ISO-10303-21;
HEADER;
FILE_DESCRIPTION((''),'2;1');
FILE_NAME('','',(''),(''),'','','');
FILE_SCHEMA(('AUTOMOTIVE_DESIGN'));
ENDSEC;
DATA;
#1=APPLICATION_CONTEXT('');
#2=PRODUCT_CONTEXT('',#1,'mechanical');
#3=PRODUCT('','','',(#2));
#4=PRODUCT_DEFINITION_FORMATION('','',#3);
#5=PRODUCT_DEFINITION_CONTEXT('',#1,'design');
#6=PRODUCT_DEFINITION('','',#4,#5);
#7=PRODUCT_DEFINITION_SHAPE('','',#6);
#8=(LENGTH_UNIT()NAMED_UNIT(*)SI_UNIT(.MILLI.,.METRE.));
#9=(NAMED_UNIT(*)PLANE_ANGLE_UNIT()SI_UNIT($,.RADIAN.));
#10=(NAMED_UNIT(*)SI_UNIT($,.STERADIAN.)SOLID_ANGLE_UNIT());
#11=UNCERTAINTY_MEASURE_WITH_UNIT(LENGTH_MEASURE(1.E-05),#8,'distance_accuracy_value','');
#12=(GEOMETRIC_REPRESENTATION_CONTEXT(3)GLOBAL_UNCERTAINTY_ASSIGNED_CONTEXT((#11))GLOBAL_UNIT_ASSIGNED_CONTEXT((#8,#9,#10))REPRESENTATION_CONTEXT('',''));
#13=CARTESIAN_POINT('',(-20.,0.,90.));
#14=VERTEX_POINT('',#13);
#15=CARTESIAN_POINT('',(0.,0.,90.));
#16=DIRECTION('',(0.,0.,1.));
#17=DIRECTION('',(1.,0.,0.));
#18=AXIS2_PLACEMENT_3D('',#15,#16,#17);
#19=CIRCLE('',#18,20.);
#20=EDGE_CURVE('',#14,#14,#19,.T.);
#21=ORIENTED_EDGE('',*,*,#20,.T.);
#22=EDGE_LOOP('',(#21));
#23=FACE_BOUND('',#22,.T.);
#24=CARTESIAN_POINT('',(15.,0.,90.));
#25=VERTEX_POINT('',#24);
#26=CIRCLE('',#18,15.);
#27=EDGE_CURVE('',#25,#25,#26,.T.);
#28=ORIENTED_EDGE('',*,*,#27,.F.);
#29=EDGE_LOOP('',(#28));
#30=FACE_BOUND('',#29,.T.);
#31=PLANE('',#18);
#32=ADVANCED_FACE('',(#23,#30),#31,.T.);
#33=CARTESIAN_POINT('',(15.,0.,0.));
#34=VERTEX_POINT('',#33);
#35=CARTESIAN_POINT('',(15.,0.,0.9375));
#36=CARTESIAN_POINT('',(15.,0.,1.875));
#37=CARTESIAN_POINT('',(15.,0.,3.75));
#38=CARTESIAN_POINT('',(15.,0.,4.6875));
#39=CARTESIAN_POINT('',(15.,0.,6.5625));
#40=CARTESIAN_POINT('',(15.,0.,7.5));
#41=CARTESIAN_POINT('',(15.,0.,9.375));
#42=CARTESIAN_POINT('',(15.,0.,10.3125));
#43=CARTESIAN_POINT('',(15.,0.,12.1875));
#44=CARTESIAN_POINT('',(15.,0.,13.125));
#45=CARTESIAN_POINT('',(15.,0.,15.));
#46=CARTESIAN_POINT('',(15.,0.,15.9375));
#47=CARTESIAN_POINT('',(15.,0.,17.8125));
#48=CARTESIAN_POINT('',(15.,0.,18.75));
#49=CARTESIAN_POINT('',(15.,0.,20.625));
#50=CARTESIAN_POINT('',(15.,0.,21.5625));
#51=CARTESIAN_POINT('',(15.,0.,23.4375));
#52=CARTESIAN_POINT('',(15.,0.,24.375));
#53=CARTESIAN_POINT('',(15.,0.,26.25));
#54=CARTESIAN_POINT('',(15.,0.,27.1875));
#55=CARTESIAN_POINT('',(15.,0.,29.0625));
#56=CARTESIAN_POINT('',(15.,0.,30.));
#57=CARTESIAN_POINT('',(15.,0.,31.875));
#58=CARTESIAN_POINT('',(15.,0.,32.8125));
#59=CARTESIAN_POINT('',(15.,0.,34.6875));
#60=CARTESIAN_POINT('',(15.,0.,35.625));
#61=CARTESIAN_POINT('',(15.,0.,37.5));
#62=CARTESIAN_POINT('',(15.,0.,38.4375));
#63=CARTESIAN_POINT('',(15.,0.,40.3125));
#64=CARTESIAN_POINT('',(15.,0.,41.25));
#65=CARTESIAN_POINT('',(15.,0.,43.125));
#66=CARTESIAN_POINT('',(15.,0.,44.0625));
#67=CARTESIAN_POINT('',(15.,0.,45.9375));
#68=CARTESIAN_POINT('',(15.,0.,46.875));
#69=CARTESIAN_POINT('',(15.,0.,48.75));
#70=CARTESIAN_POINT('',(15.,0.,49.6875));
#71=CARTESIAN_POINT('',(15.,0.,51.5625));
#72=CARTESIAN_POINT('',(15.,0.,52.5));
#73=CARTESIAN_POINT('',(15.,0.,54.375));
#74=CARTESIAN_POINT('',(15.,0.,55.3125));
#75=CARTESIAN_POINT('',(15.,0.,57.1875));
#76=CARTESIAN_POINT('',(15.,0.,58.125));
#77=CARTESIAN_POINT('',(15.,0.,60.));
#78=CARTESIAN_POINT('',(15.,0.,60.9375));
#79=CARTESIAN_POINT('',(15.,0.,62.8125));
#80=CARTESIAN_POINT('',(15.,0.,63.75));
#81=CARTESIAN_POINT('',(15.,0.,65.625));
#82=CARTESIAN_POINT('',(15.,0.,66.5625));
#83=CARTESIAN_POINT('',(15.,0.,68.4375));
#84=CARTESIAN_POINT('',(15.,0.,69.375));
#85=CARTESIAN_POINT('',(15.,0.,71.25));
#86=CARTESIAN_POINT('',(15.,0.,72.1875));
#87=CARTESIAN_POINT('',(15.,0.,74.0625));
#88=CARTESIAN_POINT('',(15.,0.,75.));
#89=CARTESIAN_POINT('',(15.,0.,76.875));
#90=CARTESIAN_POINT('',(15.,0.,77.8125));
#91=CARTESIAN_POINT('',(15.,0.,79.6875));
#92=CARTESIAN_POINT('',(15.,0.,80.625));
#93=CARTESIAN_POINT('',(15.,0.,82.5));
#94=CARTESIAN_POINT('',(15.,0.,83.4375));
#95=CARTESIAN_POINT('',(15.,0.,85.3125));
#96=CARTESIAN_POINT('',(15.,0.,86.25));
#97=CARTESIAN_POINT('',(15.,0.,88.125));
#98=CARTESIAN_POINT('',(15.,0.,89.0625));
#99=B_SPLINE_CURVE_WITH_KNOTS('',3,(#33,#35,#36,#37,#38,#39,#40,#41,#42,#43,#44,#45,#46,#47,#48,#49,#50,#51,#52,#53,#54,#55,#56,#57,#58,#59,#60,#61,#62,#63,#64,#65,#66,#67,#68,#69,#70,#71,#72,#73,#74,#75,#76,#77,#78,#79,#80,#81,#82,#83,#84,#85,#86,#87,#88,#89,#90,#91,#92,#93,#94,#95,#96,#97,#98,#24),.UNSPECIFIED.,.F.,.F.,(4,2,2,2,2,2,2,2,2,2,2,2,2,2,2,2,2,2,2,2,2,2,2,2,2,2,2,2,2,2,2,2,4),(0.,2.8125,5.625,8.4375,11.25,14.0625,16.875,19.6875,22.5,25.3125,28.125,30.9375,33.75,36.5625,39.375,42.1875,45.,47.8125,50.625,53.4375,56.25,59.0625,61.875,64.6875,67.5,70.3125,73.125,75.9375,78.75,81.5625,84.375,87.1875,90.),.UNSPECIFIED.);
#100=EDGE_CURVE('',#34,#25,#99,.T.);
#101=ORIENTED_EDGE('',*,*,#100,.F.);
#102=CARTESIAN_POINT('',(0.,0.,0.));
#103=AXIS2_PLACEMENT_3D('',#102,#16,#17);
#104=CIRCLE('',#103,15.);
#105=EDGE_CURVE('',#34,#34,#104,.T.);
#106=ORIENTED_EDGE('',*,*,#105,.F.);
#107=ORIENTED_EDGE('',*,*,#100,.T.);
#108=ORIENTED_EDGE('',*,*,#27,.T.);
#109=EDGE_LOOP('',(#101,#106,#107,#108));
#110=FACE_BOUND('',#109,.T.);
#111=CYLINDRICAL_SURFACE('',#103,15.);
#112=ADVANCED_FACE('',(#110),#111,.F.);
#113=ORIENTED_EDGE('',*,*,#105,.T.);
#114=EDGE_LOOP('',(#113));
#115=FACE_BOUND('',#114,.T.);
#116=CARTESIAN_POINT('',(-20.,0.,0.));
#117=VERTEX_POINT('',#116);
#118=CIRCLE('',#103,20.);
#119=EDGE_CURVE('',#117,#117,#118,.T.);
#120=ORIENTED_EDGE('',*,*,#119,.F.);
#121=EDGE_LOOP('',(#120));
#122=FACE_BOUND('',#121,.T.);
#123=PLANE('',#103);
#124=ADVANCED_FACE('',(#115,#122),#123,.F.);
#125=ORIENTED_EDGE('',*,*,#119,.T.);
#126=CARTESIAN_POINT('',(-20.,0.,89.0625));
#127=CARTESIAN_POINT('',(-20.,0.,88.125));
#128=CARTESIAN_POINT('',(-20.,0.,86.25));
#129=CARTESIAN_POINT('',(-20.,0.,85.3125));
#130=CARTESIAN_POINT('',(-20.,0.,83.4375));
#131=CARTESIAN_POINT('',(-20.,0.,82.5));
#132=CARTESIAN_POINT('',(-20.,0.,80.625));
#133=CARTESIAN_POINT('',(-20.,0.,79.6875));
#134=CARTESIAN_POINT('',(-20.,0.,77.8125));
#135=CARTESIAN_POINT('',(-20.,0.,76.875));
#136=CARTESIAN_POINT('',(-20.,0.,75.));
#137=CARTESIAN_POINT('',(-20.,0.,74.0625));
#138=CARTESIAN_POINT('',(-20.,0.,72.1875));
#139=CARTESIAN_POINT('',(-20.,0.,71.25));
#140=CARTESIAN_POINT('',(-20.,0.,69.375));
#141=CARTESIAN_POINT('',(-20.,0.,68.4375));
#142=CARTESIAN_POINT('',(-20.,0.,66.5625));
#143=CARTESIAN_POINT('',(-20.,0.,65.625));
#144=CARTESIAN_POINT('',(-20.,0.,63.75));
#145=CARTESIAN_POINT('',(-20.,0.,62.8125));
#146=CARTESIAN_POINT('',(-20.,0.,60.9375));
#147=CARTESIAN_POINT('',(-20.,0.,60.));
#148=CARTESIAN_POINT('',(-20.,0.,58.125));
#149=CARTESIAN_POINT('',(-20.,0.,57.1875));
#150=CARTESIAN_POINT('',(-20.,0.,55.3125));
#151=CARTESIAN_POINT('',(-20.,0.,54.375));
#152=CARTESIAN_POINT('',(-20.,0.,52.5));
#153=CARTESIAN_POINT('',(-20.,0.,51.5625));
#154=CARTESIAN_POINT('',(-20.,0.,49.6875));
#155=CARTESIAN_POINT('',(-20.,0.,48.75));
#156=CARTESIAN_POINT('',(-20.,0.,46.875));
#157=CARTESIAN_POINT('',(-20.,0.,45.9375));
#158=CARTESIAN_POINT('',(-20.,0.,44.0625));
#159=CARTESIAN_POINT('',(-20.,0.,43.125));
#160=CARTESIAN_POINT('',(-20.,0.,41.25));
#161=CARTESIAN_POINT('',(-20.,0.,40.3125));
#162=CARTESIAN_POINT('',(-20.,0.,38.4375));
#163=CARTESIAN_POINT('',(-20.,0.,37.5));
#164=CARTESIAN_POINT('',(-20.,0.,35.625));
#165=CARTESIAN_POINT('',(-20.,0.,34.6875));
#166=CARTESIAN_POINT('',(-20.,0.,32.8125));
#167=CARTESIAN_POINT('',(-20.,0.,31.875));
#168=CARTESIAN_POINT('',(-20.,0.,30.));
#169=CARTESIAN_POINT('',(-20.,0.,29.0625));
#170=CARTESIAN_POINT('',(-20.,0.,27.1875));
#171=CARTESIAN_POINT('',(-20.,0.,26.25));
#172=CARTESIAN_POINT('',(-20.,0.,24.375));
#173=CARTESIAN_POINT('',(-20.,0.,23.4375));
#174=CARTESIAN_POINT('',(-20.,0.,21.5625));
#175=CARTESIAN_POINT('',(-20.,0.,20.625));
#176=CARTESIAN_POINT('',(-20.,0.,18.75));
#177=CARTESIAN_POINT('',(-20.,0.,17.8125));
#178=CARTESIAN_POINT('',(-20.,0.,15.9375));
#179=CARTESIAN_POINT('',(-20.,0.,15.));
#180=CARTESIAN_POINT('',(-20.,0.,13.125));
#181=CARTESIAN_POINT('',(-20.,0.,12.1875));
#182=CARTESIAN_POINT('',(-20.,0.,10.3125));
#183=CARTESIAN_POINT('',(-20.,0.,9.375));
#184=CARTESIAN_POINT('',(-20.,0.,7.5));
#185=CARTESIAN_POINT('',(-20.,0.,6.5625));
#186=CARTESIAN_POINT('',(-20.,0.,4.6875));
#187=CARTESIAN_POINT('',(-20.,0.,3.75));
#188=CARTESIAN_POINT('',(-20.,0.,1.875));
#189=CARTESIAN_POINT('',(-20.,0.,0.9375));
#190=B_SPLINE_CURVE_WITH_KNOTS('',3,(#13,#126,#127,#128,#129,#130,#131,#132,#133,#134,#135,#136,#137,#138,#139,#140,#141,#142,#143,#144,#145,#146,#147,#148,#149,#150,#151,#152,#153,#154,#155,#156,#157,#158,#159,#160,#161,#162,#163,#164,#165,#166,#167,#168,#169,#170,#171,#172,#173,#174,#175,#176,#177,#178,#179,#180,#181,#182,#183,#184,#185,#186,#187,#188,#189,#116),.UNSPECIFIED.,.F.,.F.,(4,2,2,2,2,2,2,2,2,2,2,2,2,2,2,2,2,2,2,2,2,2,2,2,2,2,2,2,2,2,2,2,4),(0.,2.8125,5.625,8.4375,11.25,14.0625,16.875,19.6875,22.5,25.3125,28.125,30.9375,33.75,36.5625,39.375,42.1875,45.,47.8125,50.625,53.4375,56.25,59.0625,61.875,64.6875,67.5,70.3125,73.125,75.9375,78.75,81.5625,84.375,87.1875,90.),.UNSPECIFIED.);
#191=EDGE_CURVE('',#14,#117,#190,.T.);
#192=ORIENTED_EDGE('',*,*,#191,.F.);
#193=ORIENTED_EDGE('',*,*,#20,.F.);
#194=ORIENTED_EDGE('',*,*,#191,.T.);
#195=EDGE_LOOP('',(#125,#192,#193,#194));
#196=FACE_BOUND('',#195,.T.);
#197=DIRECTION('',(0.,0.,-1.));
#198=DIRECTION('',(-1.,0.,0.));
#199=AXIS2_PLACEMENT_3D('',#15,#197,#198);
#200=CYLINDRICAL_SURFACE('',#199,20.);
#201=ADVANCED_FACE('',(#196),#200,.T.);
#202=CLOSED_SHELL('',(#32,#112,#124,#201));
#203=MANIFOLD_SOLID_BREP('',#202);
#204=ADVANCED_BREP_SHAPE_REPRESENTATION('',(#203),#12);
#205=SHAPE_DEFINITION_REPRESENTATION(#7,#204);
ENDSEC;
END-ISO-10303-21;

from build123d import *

# Parameters (mm, degrees)
SKETCH1_R           = 20
BOSS_EXTRUDE1_DEPTH = 90
SKETCH2_R           = 15
CUT_EXTRUDE1_DEPTH  = 90


with BuildPart() as part:
    # Sketch1 → Boss-Extrude1 (new body)
    with BuildSketch(Plane.XY):
        with Locations(Location((0, 0, 0), (0, 0, 180))):
            Circle(SKETCH1_R)
    extrude(amount=BOSS_EXTRUDE1_DEPTH)

    # Sketch2 → Cut-Extrude1 (cut)
    with BuildSketch(Plane.XY.offset(90)):
        Circle(SKETCH2_R)
    extrude(amount=-CUT_EXTRUDE1_DEPTH, mode=Mode.SUBTRACT)


solid = part.part
